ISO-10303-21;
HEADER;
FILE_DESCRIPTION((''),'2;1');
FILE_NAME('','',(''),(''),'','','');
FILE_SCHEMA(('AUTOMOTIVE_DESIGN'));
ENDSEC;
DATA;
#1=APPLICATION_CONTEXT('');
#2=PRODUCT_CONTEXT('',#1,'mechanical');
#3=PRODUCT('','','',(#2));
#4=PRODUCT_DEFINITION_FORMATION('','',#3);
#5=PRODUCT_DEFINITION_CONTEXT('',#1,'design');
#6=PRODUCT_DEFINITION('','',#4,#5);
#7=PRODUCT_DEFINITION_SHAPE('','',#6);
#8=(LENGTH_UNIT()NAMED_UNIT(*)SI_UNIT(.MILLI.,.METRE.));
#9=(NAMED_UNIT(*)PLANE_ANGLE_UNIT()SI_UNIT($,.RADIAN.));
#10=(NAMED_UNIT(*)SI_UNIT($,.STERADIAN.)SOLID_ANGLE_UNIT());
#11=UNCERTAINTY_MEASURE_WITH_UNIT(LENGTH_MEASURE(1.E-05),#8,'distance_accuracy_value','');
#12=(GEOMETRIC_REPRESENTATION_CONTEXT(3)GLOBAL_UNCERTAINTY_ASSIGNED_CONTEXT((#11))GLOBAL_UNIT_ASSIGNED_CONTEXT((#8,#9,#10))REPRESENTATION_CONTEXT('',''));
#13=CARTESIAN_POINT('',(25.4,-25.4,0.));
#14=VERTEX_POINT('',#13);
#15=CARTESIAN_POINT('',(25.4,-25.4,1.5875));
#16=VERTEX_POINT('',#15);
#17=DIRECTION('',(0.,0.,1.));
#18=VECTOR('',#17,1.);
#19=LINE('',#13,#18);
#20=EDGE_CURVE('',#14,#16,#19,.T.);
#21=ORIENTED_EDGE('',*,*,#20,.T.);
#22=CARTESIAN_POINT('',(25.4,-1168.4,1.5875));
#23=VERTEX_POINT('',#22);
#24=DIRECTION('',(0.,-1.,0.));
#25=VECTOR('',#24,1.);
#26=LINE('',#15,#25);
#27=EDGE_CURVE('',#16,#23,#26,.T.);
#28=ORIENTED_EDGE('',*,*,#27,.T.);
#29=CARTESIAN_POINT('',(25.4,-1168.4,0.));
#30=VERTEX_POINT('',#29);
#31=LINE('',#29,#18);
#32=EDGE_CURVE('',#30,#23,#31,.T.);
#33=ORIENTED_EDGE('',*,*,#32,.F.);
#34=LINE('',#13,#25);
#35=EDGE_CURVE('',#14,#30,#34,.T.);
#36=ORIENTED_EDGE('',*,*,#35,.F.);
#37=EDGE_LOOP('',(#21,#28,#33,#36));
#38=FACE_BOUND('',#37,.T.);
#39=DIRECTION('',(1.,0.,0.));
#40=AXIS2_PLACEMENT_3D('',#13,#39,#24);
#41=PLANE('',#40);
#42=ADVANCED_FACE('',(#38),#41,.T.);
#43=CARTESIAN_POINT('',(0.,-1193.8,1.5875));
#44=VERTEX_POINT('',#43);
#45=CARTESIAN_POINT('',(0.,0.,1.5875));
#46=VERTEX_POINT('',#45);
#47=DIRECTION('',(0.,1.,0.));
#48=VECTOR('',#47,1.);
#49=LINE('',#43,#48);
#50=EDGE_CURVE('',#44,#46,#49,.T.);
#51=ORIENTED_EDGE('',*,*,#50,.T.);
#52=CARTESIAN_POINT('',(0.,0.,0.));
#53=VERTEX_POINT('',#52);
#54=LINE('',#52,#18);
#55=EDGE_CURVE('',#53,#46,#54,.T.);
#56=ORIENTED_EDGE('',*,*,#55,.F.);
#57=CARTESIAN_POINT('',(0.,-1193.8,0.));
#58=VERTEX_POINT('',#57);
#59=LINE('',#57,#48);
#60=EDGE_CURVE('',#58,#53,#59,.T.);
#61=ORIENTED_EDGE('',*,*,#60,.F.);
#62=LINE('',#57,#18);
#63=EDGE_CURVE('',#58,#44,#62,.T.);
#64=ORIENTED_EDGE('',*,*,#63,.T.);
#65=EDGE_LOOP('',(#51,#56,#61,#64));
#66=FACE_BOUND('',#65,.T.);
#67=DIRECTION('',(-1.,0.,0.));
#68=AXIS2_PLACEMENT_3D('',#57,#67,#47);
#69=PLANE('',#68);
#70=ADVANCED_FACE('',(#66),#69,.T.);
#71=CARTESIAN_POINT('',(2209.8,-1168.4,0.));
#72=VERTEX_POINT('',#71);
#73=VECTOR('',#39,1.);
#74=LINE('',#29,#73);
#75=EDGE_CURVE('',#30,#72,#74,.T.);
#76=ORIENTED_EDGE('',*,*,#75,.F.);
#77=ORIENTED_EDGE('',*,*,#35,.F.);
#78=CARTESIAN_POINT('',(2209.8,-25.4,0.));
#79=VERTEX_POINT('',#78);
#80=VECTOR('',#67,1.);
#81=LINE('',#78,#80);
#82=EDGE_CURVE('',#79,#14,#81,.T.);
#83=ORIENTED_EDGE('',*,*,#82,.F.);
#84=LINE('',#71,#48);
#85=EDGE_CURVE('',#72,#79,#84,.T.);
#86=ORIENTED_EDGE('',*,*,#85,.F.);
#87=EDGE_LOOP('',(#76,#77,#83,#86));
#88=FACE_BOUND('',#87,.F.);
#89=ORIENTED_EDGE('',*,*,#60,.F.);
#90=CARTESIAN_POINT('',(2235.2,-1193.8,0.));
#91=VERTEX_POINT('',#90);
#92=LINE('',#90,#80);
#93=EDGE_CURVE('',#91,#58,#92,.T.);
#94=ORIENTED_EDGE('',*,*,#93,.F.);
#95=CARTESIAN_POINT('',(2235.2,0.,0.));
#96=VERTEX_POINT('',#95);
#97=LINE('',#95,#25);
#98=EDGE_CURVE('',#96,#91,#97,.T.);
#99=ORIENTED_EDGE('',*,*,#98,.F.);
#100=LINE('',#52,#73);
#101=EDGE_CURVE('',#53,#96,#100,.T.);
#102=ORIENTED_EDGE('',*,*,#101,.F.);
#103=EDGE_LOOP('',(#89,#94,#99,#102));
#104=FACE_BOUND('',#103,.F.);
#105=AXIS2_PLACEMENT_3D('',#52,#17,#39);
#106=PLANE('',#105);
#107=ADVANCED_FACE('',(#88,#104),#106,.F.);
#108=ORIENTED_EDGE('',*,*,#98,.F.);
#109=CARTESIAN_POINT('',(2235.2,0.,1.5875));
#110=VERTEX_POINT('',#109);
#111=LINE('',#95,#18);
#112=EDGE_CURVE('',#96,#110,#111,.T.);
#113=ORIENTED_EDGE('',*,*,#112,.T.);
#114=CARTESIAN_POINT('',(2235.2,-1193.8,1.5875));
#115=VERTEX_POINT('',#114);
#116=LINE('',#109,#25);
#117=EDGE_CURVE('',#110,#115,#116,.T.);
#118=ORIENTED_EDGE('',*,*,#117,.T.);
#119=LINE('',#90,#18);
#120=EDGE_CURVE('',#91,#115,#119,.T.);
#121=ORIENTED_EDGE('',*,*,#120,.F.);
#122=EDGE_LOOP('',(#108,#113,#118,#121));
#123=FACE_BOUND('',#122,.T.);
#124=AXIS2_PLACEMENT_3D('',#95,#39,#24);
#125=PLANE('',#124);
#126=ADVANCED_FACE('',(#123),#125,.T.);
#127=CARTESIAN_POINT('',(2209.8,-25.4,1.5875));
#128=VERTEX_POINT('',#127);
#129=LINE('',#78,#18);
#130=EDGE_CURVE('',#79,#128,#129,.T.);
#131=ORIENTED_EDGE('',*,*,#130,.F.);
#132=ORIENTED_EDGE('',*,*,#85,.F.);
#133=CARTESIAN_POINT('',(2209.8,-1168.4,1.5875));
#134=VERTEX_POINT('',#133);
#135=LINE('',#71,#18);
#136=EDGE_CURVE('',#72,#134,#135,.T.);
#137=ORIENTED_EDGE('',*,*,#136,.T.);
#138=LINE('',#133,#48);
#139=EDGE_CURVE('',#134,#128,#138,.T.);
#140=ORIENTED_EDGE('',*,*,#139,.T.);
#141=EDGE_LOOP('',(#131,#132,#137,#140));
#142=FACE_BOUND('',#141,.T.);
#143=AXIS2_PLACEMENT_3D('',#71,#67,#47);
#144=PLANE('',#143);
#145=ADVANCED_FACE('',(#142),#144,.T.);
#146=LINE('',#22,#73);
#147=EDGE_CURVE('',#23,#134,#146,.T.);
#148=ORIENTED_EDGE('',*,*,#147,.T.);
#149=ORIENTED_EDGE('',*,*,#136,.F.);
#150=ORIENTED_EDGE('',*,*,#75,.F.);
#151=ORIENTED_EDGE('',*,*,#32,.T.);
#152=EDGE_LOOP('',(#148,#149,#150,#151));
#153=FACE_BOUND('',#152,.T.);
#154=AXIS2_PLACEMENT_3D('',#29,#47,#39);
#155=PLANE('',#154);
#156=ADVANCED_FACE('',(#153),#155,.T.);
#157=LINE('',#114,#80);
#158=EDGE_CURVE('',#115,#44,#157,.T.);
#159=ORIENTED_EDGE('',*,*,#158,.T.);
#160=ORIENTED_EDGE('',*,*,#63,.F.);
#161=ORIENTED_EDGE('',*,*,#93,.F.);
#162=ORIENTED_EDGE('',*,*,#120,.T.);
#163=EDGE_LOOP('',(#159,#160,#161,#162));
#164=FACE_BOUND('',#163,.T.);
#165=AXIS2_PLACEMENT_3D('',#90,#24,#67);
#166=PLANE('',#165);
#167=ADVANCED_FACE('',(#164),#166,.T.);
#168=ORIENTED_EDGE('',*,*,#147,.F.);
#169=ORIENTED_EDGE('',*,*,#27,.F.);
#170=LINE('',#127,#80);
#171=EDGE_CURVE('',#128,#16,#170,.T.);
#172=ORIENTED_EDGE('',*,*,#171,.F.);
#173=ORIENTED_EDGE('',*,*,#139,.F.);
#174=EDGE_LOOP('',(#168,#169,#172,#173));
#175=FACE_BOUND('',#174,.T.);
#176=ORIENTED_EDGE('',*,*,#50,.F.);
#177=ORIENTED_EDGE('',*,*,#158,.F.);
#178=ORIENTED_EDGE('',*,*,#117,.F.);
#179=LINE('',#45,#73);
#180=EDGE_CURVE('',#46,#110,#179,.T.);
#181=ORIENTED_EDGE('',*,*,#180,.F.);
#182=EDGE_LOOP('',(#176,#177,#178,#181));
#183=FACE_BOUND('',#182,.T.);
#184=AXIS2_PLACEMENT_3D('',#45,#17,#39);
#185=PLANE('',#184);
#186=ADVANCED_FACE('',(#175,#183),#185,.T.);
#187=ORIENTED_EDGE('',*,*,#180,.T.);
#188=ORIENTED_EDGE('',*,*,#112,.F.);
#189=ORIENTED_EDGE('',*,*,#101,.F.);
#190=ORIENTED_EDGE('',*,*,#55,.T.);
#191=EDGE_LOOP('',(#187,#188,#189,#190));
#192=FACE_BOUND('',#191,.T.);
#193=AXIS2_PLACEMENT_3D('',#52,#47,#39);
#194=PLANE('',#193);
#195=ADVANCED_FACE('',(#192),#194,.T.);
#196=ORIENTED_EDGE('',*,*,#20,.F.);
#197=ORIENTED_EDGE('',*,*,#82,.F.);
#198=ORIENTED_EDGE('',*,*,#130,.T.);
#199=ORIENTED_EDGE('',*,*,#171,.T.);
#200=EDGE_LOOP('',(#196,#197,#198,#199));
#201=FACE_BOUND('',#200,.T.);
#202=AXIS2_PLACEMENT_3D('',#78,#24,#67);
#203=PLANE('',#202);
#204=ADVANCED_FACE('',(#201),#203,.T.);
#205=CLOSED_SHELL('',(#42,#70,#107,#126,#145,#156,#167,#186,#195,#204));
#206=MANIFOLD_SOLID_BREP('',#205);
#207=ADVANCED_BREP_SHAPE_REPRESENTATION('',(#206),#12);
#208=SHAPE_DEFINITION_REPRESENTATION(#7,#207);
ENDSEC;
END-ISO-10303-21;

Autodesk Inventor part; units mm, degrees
ref_plane "YZ Plane" through (0, 0, 0) normal (1, 0, 0) x (0, 1, 0)
ref_plane "XZ Plane" through (0, 0, 0) normal (0, 1, 0) x (-1, 0, 0)
ref_plane "XY Plane" through (0, 0, 0) normal (0, 0, 1) x (1, 0, 0)
sketch "Sketch1" plane through (0, 0, 0) normal (0, 0, 1) x (1, 0, 0)
  line L0 (0, 0) -> (2235.2, 0)
  line L1 (2235.2, 0) -> (2235.2, -1193.8)
  line L2 (2235.2, -1193.8) -> (0, -1193.8)
  line L3 (0, -1193.8) -> (0, 0)
  line L4 (2209.8, -25.4) -> (25.4, -25.4)
  line L5 (25.4, -25.4) -> (25.4, -1168.4)
  line L6 (25.4, -1168.4) -> (2209.8, -1168.4)
  line L7 (2209.8, -1168.4) -> (2209.8, -25.4)
  dimension "d0" = 2235.2
  dimension "d1" = 1193.8
  dimension "d2" = 25.4
extrude "Extrusion1" add sketch "Sketch1" along normal blind 1.5875
properties part number "GE-12017-02"
